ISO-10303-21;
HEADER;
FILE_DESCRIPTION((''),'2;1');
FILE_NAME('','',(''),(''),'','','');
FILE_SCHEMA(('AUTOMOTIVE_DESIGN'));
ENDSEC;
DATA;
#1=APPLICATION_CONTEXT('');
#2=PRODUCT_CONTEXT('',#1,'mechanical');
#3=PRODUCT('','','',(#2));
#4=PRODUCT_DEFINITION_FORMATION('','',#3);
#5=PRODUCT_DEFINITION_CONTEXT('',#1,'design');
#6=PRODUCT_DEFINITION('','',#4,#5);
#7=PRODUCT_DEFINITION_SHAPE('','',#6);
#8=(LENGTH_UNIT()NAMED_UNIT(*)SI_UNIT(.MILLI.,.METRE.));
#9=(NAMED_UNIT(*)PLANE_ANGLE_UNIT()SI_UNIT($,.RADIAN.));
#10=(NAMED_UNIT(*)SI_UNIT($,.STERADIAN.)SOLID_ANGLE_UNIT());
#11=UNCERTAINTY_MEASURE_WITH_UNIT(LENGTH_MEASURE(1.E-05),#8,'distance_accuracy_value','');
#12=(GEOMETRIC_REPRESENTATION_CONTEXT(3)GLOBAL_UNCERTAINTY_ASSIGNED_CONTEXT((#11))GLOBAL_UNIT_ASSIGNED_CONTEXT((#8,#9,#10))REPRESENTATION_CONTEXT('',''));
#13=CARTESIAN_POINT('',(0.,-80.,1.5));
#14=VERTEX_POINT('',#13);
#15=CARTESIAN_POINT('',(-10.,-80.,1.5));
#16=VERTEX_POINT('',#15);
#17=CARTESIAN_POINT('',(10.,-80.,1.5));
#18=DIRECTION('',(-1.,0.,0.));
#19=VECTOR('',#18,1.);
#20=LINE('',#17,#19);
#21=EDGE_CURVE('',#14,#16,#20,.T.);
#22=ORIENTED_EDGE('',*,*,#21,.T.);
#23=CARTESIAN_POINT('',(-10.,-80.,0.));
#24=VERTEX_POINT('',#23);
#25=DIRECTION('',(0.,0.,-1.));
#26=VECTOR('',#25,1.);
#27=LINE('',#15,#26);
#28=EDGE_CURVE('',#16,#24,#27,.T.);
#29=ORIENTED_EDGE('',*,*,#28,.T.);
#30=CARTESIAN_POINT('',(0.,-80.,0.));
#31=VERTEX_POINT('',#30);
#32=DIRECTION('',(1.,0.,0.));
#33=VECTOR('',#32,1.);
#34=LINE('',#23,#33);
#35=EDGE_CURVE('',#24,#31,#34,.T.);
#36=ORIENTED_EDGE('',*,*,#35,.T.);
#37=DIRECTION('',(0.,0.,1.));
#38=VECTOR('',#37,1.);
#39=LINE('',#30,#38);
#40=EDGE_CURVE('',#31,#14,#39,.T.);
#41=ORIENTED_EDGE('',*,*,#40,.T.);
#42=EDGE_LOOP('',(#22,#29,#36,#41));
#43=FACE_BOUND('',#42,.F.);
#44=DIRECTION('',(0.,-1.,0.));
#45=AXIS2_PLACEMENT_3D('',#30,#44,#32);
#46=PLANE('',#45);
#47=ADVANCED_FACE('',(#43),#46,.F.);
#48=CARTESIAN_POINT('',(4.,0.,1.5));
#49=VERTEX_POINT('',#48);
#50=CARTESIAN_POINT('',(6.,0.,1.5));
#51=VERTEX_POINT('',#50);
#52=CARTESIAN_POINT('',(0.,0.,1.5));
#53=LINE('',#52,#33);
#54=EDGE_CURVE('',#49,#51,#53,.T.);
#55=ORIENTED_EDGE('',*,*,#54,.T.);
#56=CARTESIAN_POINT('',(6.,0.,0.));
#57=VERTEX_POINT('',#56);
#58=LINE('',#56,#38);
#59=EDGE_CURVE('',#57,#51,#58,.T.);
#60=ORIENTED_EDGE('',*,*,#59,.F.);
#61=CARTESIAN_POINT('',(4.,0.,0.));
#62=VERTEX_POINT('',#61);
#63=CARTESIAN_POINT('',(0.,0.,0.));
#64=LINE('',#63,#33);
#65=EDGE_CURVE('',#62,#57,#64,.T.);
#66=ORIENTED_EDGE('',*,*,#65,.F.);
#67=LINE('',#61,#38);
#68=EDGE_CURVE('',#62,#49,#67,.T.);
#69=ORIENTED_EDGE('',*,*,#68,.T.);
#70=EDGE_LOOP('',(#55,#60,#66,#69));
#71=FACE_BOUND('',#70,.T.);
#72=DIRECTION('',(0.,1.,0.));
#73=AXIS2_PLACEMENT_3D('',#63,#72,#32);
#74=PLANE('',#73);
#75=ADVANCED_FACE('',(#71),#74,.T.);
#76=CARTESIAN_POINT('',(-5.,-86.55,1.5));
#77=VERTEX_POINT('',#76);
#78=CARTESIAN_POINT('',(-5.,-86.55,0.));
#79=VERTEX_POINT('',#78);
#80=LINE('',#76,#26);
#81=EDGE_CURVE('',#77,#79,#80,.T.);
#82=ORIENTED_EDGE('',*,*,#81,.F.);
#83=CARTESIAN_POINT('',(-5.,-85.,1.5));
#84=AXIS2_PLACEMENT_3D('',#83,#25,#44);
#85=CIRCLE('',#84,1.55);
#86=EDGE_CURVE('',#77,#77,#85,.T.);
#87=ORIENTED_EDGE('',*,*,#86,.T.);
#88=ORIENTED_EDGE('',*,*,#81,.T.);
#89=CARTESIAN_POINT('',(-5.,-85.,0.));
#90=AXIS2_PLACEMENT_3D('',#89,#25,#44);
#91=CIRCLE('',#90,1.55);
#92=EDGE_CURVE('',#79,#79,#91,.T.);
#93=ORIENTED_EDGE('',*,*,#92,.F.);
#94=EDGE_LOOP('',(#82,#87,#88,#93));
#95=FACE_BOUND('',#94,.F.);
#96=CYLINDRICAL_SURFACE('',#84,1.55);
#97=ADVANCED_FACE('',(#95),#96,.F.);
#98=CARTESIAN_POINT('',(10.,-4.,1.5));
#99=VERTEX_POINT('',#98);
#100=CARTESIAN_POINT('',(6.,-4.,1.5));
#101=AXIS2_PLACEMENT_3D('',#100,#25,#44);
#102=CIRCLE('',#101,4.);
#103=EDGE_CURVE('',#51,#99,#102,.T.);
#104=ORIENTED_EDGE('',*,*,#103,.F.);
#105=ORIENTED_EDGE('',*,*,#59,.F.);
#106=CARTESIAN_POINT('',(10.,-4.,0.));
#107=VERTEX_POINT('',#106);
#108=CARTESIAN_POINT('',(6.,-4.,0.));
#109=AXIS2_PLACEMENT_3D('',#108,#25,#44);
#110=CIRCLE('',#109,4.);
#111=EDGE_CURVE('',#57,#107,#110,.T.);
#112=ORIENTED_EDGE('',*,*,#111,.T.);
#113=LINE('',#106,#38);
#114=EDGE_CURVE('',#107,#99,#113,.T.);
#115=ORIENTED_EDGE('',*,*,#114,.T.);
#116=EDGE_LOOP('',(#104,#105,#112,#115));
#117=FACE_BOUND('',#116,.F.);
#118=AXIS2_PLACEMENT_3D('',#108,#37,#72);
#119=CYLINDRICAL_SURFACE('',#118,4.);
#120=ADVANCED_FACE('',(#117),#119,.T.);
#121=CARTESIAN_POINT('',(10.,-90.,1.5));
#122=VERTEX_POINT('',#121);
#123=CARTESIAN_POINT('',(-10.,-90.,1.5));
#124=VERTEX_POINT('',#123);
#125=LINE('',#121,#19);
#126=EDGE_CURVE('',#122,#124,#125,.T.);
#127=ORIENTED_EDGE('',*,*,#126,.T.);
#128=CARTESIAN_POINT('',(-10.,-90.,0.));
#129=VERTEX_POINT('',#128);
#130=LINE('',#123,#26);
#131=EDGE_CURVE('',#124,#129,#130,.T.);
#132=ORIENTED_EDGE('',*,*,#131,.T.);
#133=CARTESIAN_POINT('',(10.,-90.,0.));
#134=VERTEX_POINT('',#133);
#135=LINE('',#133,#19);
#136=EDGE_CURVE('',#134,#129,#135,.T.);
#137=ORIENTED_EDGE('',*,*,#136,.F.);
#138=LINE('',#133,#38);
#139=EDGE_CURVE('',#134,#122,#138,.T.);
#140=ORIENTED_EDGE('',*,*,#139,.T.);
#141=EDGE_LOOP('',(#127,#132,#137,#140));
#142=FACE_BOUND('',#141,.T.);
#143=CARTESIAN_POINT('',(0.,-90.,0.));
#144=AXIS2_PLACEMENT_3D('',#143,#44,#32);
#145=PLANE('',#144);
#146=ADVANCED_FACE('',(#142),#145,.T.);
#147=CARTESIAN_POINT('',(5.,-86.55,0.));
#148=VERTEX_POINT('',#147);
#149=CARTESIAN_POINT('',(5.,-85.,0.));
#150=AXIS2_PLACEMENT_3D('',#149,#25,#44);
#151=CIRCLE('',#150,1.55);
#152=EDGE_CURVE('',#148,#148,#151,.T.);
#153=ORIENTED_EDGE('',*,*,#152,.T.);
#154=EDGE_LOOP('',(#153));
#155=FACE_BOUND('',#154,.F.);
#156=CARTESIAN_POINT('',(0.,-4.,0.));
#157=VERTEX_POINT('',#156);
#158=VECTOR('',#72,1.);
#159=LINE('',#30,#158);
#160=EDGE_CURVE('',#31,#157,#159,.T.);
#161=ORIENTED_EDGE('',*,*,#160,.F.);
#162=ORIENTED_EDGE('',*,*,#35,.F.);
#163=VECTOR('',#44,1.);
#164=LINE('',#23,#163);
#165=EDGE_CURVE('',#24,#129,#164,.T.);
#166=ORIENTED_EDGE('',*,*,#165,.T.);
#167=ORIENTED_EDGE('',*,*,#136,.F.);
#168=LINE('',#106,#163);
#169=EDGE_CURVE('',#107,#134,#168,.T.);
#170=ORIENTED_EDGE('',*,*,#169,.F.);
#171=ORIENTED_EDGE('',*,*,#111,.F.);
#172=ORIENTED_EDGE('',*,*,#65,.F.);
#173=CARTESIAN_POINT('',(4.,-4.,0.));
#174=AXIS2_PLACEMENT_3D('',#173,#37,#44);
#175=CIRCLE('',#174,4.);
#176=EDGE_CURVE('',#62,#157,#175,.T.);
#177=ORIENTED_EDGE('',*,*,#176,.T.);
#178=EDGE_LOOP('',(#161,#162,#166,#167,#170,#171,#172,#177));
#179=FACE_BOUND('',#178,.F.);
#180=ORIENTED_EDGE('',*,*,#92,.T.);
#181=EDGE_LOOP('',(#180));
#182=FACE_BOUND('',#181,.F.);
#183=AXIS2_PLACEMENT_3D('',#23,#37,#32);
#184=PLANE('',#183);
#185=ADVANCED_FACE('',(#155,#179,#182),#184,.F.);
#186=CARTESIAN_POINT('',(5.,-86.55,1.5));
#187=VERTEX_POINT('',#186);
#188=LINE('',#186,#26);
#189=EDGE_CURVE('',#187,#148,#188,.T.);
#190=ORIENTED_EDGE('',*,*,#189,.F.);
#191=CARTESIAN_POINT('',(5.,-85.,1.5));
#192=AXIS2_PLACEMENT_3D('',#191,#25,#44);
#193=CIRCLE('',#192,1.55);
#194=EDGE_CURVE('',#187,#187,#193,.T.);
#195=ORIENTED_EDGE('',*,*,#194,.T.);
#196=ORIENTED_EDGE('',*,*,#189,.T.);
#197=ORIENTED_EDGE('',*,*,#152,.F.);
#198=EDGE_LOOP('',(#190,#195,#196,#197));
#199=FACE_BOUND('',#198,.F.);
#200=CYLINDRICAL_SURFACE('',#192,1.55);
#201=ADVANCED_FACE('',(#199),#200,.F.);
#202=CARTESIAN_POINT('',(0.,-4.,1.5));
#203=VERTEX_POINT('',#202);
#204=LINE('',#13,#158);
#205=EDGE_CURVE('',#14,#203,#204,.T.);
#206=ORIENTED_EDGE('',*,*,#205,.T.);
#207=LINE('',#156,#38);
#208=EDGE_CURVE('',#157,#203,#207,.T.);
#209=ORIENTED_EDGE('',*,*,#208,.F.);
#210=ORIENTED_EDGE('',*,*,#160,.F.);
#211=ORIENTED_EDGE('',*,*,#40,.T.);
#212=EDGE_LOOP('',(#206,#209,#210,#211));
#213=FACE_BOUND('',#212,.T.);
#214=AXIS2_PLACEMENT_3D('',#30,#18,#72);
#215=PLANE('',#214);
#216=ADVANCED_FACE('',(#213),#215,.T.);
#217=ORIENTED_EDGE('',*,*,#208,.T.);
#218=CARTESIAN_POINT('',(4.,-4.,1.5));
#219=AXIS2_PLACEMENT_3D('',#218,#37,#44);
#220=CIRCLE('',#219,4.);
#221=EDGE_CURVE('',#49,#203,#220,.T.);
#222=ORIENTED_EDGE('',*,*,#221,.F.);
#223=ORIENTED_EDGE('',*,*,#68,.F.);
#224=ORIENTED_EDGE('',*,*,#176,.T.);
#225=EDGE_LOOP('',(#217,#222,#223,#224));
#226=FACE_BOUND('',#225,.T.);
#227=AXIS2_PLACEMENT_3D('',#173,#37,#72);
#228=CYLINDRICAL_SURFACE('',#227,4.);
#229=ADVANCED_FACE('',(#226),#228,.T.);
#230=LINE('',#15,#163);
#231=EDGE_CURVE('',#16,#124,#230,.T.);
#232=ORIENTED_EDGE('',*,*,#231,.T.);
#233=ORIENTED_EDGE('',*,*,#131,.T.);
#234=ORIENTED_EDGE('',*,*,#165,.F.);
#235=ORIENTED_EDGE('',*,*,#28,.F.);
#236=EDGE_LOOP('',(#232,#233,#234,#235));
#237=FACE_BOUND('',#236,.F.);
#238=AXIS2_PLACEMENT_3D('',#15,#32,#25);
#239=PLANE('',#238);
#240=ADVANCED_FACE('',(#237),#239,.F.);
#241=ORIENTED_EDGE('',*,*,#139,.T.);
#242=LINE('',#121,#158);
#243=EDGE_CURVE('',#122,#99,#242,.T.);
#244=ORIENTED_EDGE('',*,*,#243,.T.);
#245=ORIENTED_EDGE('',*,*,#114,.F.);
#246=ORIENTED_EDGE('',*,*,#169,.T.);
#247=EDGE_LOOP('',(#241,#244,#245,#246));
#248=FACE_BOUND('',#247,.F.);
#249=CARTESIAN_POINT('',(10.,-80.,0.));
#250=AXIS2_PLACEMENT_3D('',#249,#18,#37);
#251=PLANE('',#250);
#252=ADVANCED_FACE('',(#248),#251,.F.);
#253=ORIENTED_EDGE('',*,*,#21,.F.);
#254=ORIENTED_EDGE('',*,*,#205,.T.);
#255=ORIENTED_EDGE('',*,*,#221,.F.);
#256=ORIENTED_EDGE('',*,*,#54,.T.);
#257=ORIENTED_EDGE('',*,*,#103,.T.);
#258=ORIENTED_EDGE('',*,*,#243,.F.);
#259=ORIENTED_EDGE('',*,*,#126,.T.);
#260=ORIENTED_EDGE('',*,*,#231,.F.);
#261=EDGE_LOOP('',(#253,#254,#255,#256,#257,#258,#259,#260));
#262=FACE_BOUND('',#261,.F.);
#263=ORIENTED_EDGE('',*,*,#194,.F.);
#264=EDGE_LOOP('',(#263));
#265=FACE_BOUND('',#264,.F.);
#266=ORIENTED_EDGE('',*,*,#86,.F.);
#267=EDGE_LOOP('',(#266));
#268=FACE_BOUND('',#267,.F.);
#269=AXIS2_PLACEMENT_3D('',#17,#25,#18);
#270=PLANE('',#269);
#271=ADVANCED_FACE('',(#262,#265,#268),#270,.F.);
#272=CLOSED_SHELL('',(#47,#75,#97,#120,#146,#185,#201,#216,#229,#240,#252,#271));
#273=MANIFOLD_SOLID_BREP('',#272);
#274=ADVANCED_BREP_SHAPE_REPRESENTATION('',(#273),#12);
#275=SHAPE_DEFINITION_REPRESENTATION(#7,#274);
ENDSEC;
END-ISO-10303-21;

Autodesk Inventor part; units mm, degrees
ref_plane "YZ Plane" through (0, 0, 0) normal (1, 0, 0) x (0, 1, 0)
ref_plane "XZ Plane" through (0, 0, 0) normal (0, 1, 0) x (-1, 0, 0)
ref_plane "XY Plane" through (0, 0, 0) normal (0, 0, 1) x (1, 0, 0)
sketch "スケッチ1" plane through (0, 0, 0) normal (0, 0, 1) x (1, 0, 0)
  line L0 (0, 0) -> (10, 0)
  line L1 (10, 0) -> (10, -80)
  line L2 (10, -80) -> (0, -80)
  line L3 (0, -80) -> (0, 0)
  dimension "d0" = 10
  dimension "d1" = 80
extrude "押し出し1" add sketch "スケッチ1" along normal blind 1.5
fillet "フィレット1" radius 4 2 edges at (10, 0, 0.75) (0, 0, 0.75)
sketch "スケッチ2" plane through (0, -80, 0) normal (0, -1, 0) x (1, 0, 0)
  line L0 (-10, 0) -> (10, 0)
  line L1 (10, 0) -> (10, 1.5)
  line L2 (10, 1.5) -> (-10, 1.5)
  line L3 (-10, 1.5) -> (-10, 0)
  line L4 (10, 0) -> (10, 1.5) projected
  line L5 (10, 0) -> (0, 0) projected
  dimension "d35" = 20
  dimension "d36" = 1.5
  dimension "d37" = 0
  dimension "d38" = 0
extrude "押し出し2" add sketch "スケッチ2" along normal blind 10
sketch "スケッチ9" plane through (0, 0, 1.5) normal (0, 0, 1) x (1, 0, 0)
  line L0 (10, -90) -> (-10, -90) projected
  line L1 (10, -4) -> (10, -90) projected
  point P0 (0, 0)
  point P1 (-5, -85)
  point P2 (5, -85)
  dimension "d39" = 10
  dimension "d40" = 5
  dimension "d41" = 5
hole "穴2" at (-5, -85, 1.5) at (5, -85, 1.5) direction (0, 0, -1) diameter 3.1 end through all
properties part number "Fork 1 right ver2c" material "アルミニウム 5052 H32"
